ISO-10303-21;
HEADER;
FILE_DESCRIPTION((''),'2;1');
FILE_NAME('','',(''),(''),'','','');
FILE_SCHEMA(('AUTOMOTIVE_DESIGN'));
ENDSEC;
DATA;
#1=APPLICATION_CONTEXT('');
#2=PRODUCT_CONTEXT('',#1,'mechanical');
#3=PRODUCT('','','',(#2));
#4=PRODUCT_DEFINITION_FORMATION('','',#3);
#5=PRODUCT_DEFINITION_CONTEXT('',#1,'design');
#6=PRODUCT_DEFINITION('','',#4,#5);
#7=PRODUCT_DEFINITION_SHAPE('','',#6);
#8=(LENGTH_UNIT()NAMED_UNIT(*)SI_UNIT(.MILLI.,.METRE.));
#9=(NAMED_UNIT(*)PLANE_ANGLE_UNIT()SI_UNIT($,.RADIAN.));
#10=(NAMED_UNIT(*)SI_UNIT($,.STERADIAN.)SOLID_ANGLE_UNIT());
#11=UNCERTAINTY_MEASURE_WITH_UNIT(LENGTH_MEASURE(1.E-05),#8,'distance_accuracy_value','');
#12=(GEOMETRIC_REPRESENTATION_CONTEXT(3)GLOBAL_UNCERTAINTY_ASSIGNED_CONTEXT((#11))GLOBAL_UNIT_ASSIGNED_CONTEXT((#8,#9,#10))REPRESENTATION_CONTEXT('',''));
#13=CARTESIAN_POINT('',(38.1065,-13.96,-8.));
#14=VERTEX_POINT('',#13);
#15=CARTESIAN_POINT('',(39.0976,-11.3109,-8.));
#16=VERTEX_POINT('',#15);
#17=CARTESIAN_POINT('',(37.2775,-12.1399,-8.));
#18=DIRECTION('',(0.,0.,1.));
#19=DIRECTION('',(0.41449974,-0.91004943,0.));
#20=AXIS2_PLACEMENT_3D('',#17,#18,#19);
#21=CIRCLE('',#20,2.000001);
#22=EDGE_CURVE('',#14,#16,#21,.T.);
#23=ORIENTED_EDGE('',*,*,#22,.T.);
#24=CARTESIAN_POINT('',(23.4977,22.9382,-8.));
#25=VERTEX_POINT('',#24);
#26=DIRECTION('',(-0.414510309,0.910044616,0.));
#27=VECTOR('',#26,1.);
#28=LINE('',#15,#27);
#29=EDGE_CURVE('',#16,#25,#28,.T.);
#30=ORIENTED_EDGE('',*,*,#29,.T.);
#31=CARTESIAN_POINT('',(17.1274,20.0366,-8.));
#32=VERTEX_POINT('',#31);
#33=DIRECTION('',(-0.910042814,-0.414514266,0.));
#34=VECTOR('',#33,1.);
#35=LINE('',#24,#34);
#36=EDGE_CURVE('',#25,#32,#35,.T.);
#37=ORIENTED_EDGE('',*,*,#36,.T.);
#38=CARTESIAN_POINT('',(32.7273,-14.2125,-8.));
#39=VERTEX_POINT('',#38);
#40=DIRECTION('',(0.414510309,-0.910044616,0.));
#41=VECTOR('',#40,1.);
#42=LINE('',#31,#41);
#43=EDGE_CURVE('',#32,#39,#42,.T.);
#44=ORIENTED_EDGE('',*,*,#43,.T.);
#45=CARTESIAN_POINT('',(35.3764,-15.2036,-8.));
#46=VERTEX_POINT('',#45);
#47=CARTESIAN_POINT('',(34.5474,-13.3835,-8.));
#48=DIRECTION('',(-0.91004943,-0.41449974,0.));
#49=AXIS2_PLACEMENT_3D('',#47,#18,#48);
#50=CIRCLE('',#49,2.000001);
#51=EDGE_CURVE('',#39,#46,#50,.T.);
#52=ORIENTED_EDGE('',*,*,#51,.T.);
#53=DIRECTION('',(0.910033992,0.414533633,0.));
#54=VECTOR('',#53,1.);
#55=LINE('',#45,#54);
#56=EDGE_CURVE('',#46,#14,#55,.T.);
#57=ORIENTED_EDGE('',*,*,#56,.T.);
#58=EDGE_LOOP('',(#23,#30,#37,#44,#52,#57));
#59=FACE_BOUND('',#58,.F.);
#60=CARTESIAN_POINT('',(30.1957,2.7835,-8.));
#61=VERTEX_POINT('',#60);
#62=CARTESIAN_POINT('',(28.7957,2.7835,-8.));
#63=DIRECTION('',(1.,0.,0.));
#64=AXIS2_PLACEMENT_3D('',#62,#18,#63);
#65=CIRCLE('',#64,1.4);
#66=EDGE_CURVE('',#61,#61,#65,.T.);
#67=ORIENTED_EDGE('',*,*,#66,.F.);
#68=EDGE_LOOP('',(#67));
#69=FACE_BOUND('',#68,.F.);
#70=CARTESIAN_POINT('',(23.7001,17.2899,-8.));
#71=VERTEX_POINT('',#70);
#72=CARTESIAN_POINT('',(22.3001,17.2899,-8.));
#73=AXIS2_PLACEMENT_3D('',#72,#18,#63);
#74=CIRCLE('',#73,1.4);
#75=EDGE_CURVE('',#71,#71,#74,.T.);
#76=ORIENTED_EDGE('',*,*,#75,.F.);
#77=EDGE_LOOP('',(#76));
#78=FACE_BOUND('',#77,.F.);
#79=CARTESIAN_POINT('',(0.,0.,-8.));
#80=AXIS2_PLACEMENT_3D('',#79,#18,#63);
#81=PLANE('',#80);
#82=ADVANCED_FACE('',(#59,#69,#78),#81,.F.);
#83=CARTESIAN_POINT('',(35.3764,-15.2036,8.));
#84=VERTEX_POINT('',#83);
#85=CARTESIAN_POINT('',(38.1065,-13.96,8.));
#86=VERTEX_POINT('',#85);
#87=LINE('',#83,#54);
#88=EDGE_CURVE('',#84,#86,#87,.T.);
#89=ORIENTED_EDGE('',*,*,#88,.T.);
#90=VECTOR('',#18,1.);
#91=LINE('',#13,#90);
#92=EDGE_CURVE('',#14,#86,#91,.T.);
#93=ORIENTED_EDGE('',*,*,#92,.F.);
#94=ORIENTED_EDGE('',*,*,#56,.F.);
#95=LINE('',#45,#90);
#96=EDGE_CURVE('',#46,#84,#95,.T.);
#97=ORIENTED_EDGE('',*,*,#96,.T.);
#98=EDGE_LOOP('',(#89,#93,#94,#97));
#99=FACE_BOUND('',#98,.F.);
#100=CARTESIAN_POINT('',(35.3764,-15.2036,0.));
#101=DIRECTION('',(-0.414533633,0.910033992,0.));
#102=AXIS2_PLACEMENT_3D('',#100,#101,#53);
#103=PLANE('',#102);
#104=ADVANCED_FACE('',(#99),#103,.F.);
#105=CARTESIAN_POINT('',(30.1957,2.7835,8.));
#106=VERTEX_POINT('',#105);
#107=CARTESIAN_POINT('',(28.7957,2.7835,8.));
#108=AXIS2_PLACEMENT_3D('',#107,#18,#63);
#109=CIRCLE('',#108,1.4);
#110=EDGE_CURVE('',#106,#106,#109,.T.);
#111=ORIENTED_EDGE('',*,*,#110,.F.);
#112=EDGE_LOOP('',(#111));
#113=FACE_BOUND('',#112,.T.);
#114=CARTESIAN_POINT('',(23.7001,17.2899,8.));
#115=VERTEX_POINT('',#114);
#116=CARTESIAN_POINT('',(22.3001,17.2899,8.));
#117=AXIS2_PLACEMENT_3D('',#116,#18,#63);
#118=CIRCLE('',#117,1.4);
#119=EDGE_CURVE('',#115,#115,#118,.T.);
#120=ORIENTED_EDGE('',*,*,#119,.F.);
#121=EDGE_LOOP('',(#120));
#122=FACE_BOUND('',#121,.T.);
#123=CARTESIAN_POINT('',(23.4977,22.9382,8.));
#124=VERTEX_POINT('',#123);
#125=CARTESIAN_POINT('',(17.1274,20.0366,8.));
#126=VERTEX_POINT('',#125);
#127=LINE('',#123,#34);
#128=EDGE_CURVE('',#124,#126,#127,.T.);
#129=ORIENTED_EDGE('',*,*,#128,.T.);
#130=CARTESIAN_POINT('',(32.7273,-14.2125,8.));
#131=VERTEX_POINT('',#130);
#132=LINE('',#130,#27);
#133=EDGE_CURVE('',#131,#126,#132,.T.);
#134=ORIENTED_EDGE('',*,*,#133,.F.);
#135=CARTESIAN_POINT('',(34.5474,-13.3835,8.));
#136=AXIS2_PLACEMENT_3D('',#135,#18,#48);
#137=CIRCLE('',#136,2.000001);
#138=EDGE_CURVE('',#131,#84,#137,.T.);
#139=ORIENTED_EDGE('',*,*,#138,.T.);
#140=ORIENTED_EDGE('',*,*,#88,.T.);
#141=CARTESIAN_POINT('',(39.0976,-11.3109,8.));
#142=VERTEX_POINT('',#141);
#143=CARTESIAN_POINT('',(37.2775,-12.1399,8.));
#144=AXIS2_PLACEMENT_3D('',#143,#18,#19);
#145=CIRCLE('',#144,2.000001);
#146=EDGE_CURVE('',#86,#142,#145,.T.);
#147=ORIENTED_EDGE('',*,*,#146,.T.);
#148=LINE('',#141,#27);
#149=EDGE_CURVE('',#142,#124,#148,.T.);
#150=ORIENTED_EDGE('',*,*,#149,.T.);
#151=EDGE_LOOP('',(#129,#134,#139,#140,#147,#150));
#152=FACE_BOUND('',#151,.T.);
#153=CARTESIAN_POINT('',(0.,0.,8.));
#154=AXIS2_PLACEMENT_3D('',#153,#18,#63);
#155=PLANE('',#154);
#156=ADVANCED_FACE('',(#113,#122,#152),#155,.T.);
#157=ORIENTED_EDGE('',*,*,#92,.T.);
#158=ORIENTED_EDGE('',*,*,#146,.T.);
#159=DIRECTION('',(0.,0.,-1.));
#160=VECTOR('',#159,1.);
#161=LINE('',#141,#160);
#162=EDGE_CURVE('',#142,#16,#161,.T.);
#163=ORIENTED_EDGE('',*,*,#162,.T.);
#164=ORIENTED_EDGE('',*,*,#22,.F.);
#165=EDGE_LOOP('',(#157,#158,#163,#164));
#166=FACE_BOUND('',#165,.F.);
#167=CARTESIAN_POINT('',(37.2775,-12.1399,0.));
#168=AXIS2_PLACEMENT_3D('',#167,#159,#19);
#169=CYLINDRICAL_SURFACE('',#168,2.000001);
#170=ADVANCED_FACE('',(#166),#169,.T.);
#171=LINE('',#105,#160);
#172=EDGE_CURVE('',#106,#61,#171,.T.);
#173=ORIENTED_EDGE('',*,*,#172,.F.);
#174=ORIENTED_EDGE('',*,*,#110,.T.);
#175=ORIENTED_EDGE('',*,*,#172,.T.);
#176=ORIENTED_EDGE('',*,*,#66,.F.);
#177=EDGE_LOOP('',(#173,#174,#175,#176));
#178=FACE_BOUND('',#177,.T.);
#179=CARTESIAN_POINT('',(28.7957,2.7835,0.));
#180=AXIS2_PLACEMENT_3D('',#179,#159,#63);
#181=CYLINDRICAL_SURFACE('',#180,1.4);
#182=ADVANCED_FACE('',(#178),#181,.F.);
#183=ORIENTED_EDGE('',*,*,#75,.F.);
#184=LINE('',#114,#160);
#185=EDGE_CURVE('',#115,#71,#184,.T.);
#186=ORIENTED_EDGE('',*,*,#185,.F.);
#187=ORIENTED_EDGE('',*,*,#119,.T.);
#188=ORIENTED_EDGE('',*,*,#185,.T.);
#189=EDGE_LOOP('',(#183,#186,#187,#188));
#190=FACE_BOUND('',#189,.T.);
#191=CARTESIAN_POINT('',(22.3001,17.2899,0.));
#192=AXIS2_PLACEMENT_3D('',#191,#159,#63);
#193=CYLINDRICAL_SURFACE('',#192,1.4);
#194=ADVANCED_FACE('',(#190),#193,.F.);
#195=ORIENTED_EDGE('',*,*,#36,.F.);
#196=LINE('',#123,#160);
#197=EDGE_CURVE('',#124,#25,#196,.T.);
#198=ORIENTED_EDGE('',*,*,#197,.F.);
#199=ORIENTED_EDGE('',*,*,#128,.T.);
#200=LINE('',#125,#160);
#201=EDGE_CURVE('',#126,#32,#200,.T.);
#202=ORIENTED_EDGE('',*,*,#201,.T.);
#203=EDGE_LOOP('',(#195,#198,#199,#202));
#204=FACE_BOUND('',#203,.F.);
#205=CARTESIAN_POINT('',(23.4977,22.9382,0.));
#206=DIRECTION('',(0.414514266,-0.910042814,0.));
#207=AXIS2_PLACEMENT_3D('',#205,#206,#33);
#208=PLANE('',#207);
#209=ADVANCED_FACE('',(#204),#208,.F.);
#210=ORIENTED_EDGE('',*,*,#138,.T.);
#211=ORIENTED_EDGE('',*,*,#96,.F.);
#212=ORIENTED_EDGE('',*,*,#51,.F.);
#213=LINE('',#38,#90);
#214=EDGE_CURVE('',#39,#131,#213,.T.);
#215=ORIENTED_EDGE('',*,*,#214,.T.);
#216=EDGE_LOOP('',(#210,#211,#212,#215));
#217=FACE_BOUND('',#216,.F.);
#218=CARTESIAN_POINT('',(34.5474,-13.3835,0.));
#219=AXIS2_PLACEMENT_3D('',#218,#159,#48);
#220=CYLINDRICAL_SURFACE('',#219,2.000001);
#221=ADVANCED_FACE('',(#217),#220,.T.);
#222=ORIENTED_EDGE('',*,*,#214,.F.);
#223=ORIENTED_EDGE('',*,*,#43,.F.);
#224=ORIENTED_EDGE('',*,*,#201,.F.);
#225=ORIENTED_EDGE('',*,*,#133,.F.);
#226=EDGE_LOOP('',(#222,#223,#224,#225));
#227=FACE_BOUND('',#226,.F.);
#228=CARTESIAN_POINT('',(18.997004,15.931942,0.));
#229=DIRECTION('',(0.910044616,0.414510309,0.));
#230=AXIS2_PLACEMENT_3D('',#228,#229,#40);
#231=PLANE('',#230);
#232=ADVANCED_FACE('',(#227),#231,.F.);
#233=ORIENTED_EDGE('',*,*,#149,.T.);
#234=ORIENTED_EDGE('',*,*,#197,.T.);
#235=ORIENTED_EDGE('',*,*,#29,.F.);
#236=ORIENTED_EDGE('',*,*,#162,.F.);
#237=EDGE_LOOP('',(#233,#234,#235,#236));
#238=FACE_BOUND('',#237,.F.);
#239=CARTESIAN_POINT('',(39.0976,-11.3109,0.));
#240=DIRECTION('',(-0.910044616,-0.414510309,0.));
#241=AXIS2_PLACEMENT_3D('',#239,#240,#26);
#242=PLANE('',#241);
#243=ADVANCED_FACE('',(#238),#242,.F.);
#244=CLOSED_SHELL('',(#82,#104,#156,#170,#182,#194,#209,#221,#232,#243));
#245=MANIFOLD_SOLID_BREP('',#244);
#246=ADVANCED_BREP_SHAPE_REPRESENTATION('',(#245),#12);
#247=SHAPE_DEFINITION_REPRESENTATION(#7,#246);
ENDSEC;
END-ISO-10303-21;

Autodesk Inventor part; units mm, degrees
ref_plane "YZ Plane" through (0, 0, 0) normal (1, 0, 0) x (0, 1, 0)
ref_plane "XZ Plane" through (0, 0, 0) normal (0, 1, 0) x (-1, 0, 0)
ref_plane "XY Plane" through (0, 0, 0) normal (0, 0, 1) x (1, 0, 0)
ref_plane "Arbeitsebene1" through (0, 0, 0) normal (0, 0, 1) x (1, 0, 0)
sketch "Skizze1" plane through (0, 0, 0) normal (0, 0, 1) x (1, 0, 0)
  line L0 (6, 5) -> (6, 20.6772) projected
  line L1 (25.0752, 5) -> (6, 5) projected
  line L2 (20.3151, 15.4507) -> (25.0752, 5)
  line L3 (6, 20.6772) -> (20.3151, 15.4507) projected
  circle A0 centre (28.7957, 2.7835) radius 1.4 projected
  circle A1 centre (22.3001, 17.2899) radius 1.4
  line L4 (32.7967, 0.1099) -> (23.0022, 21.6136)
  arc A2 (30.9766, -2.7191) -> (32.7967, 0.1099) centre (30.9766, -0.7191) ccw projected
  line L5 (29.8778, -2.7191) -> (30.9766, -2.7191) projected
  arc A3 (28.0577, -1.5481) -> (29.8778, -2.7191) centre (29.8778, -0.7191) ccw projected
  line L6 (27.3526, 0) -> (28.0577, -1.5481) projected
  line L7 (0, 0) -> (27.3526, 0) projected
  line L8 (0, 0) -> (0, 26) projected
  line L9 (0, 26) -> (6, 26) projected
  line L10 (23.0022, 21.6136) -> (18.452, 19.5411)
  line L11 (18.452, 19.5411) -> (34.0518, -14.708)
  line L12 (34.0518, -14.708) -> (38.602, -12.6355)
  line L13 (38.602, -12.6355) -> (23.0022, 21.6136)
  line L14 (23.4977, 22.9382) -> (17.1274, 20.0366)
  line L15 (17.1274, 20.0366) -> (32.7273, -14.2125)
  line L16 (35.3764, -15.2036) -> (38.1065, -13.96)
  line L17 (39.0976, -11.3109) -> (23.4977, 22.9382)
  arc A4 (38.1065, -13.96) -> (39.0976, -11.3109) centre (37.2775, -12.1399) ccw
  arc A5 (32.7273, -14.2125) -> (35.3764, -15.2036) centre (34.5474, -13.3835) ccw
  point P0 (22.6951, 10.2253)
  point P1 (28.0577, -1.5481)
  point P2 (26.2537, 0)
  point P3 (18.9971, 15.9319)
  dimension "d2" = 1
  dimension "d3" = 2
extrude "Extrusion1" add sketch "Skizze1" along normal mid plane 16 contours L15 L3 L2 L1 | L1 L11 L7 L15 | L15 L14 L17 A4 L16 A5 L7 L6 L11 L12 L13 L4 L10 L3 | L2 L11 L10 L4 A2 L5 A3 L6 | A3 L5 A2 L13 L12 L11
properties part number "Gripper_linear_finger_long"
